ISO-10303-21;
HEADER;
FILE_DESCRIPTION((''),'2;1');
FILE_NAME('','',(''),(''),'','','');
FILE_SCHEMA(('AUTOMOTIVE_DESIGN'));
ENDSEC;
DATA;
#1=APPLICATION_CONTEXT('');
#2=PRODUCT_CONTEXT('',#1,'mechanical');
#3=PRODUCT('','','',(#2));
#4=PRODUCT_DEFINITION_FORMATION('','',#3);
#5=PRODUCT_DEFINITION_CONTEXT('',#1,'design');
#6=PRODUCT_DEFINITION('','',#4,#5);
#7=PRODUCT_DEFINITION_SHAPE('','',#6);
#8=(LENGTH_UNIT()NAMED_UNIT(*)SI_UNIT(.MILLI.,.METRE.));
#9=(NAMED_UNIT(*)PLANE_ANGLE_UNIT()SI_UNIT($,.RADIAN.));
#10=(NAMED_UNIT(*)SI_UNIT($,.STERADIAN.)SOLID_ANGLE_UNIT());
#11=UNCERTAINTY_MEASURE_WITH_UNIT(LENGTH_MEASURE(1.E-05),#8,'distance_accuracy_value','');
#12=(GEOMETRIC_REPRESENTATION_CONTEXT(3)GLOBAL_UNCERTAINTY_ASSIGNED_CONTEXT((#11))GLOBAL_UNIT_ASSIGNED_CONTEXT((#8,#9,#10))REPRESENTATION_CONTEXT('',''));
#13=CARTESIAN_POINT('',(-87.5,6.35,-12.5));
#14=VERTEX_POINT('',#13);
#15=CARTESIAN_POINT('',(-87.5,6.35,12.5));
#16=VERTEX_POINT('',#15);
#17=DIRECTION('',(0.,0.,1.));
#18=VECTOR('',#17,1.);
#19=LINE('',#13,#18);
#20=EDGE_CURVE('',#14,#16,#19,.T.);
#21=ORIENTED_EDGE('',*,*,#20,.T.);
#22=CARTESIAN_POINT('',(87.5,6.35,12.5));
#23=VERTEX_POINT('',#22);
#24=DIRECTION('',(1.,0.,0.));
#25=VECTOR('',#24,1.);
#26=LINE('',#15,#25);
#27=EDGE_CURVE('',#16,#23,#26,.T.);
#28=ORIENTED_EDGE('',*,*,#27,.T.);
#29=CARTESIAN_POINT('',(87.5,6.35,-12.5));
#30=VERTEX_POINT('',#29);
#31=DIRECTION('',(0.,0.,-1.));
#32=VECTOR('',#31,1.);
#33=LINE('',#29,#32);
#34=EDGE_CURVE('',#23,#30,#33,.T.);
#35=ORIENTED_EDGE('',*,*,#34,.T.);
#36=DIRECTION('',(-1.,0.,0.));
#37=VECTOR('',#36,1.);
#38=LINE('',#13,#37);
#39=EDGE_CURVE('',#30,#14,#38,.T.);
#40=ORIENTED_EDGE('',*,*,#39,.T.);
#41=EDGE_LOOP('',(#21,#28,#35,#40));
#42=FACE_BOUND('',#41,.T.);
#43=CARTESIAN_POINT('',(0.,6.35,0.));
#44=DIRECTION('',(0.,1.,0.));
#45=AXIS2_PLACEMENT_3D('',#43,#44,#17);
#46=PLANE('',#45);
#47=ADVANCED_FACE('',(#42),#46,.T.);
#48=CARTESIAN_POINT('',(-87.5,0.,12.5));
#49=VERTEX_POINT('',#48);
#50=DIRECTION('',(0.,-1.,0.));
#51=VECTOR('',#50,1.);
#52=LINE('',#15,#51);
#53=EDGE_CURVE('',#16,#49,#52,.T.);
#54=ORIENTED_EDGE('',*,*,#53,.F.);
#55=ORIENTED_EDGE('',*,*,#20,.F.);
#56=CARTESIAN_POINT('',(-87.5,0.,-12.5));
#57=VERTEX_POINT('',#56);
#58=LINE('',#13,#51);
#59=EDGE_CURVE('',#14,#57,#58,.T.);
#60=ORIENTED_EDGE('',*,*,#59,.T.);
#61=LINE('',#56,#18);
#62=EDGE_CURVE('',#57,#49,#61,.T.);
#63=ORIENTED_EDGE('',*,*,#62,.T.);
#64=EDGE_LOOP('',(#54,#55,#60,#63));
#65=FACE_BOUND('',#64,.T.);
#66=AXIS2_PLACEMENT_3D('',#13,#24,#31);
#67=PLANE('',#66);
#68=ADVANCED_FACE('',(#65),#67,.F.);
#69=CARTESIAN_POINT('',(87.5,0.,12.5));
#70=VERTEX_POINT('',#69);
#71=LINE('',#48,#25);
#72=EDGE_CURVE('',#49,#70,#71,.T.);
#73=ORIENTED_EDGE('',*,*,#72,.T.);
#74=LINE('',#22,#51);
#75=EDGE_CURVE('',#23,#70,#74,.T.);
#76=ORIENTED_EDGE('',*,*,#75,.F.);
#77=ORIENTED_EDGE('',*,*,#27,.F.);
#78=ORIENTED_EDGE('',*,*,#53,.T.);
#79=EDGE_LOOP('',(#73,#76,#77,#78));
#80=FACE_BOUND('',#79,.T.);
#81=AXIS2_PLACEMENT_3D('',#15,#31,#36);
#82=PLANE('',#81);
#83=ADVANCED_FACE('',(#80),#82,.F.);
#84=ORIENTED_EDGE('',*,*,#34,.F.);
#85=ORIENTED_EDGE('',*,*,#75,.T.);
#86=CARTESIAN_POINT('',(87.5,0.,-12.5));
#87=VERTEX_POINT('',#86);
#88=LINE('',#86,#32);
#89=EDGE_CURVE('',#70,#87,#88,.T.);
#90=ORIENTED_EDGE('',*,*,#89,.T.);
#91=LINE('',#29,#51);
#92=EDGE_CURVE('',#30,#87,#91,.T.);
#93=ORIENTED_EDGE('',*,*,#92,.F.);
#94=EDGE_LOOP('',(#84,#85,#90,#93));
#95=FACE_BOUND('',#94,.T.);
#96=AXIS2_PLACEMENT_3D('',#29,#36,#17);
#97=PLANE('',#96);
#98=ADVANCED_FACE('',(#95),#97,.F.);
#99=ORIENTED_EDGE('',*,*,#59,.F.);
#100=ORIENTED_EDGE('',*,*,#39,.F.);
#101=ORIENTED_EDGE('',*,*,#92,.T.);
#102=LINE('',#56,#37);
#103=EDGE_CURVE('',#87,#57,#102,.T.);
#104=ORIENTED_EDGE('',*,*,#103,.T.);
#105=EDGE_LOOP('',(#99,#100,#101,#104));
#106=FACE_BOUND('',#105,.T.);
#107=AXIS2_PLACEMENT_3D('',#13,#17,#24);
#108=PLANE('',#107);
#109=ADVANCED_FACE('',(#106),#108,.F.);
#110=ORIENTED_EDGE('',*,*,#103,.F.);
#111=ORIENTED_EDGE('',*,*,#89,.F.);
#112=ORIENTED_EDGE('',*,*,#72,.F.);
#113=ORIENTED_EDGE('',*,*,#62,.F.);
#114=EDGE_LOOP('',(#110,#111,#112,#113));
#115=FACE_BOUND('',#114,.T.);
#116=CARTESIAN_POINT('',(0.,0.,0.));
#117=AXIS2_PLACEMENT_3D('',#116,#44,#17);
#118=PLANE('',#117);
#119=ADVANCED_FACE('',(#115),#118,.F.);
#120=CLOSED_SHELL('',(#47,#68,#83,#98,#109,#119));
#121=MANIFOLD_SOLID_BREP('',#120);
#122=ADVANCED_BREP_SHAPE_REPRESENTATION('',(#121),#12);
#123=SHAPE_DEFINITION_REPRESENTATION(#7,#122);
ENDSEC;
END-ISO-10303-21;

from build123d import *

# Parameters (mm, degrees)
ESQUISSE1_W        = 175
ESQUISSE1_H        = 25
BOSS_EXTRU_1_DEPTH = 6.35


with BuildPart() as part:
    # Esquisse1 → Boss.-Extru.1 (new body)
    with BuildSketch(Plane(origin=(0, 0, 0), x_dir=(1, 0, 0), z_dir=(0, 1, 0))):
        Rectangle(ESQUISSE1_W, ESQUISSE1_H)
    extrude(amount=BOSS_EXTRU_1_DEPTH)


solid = part.part
